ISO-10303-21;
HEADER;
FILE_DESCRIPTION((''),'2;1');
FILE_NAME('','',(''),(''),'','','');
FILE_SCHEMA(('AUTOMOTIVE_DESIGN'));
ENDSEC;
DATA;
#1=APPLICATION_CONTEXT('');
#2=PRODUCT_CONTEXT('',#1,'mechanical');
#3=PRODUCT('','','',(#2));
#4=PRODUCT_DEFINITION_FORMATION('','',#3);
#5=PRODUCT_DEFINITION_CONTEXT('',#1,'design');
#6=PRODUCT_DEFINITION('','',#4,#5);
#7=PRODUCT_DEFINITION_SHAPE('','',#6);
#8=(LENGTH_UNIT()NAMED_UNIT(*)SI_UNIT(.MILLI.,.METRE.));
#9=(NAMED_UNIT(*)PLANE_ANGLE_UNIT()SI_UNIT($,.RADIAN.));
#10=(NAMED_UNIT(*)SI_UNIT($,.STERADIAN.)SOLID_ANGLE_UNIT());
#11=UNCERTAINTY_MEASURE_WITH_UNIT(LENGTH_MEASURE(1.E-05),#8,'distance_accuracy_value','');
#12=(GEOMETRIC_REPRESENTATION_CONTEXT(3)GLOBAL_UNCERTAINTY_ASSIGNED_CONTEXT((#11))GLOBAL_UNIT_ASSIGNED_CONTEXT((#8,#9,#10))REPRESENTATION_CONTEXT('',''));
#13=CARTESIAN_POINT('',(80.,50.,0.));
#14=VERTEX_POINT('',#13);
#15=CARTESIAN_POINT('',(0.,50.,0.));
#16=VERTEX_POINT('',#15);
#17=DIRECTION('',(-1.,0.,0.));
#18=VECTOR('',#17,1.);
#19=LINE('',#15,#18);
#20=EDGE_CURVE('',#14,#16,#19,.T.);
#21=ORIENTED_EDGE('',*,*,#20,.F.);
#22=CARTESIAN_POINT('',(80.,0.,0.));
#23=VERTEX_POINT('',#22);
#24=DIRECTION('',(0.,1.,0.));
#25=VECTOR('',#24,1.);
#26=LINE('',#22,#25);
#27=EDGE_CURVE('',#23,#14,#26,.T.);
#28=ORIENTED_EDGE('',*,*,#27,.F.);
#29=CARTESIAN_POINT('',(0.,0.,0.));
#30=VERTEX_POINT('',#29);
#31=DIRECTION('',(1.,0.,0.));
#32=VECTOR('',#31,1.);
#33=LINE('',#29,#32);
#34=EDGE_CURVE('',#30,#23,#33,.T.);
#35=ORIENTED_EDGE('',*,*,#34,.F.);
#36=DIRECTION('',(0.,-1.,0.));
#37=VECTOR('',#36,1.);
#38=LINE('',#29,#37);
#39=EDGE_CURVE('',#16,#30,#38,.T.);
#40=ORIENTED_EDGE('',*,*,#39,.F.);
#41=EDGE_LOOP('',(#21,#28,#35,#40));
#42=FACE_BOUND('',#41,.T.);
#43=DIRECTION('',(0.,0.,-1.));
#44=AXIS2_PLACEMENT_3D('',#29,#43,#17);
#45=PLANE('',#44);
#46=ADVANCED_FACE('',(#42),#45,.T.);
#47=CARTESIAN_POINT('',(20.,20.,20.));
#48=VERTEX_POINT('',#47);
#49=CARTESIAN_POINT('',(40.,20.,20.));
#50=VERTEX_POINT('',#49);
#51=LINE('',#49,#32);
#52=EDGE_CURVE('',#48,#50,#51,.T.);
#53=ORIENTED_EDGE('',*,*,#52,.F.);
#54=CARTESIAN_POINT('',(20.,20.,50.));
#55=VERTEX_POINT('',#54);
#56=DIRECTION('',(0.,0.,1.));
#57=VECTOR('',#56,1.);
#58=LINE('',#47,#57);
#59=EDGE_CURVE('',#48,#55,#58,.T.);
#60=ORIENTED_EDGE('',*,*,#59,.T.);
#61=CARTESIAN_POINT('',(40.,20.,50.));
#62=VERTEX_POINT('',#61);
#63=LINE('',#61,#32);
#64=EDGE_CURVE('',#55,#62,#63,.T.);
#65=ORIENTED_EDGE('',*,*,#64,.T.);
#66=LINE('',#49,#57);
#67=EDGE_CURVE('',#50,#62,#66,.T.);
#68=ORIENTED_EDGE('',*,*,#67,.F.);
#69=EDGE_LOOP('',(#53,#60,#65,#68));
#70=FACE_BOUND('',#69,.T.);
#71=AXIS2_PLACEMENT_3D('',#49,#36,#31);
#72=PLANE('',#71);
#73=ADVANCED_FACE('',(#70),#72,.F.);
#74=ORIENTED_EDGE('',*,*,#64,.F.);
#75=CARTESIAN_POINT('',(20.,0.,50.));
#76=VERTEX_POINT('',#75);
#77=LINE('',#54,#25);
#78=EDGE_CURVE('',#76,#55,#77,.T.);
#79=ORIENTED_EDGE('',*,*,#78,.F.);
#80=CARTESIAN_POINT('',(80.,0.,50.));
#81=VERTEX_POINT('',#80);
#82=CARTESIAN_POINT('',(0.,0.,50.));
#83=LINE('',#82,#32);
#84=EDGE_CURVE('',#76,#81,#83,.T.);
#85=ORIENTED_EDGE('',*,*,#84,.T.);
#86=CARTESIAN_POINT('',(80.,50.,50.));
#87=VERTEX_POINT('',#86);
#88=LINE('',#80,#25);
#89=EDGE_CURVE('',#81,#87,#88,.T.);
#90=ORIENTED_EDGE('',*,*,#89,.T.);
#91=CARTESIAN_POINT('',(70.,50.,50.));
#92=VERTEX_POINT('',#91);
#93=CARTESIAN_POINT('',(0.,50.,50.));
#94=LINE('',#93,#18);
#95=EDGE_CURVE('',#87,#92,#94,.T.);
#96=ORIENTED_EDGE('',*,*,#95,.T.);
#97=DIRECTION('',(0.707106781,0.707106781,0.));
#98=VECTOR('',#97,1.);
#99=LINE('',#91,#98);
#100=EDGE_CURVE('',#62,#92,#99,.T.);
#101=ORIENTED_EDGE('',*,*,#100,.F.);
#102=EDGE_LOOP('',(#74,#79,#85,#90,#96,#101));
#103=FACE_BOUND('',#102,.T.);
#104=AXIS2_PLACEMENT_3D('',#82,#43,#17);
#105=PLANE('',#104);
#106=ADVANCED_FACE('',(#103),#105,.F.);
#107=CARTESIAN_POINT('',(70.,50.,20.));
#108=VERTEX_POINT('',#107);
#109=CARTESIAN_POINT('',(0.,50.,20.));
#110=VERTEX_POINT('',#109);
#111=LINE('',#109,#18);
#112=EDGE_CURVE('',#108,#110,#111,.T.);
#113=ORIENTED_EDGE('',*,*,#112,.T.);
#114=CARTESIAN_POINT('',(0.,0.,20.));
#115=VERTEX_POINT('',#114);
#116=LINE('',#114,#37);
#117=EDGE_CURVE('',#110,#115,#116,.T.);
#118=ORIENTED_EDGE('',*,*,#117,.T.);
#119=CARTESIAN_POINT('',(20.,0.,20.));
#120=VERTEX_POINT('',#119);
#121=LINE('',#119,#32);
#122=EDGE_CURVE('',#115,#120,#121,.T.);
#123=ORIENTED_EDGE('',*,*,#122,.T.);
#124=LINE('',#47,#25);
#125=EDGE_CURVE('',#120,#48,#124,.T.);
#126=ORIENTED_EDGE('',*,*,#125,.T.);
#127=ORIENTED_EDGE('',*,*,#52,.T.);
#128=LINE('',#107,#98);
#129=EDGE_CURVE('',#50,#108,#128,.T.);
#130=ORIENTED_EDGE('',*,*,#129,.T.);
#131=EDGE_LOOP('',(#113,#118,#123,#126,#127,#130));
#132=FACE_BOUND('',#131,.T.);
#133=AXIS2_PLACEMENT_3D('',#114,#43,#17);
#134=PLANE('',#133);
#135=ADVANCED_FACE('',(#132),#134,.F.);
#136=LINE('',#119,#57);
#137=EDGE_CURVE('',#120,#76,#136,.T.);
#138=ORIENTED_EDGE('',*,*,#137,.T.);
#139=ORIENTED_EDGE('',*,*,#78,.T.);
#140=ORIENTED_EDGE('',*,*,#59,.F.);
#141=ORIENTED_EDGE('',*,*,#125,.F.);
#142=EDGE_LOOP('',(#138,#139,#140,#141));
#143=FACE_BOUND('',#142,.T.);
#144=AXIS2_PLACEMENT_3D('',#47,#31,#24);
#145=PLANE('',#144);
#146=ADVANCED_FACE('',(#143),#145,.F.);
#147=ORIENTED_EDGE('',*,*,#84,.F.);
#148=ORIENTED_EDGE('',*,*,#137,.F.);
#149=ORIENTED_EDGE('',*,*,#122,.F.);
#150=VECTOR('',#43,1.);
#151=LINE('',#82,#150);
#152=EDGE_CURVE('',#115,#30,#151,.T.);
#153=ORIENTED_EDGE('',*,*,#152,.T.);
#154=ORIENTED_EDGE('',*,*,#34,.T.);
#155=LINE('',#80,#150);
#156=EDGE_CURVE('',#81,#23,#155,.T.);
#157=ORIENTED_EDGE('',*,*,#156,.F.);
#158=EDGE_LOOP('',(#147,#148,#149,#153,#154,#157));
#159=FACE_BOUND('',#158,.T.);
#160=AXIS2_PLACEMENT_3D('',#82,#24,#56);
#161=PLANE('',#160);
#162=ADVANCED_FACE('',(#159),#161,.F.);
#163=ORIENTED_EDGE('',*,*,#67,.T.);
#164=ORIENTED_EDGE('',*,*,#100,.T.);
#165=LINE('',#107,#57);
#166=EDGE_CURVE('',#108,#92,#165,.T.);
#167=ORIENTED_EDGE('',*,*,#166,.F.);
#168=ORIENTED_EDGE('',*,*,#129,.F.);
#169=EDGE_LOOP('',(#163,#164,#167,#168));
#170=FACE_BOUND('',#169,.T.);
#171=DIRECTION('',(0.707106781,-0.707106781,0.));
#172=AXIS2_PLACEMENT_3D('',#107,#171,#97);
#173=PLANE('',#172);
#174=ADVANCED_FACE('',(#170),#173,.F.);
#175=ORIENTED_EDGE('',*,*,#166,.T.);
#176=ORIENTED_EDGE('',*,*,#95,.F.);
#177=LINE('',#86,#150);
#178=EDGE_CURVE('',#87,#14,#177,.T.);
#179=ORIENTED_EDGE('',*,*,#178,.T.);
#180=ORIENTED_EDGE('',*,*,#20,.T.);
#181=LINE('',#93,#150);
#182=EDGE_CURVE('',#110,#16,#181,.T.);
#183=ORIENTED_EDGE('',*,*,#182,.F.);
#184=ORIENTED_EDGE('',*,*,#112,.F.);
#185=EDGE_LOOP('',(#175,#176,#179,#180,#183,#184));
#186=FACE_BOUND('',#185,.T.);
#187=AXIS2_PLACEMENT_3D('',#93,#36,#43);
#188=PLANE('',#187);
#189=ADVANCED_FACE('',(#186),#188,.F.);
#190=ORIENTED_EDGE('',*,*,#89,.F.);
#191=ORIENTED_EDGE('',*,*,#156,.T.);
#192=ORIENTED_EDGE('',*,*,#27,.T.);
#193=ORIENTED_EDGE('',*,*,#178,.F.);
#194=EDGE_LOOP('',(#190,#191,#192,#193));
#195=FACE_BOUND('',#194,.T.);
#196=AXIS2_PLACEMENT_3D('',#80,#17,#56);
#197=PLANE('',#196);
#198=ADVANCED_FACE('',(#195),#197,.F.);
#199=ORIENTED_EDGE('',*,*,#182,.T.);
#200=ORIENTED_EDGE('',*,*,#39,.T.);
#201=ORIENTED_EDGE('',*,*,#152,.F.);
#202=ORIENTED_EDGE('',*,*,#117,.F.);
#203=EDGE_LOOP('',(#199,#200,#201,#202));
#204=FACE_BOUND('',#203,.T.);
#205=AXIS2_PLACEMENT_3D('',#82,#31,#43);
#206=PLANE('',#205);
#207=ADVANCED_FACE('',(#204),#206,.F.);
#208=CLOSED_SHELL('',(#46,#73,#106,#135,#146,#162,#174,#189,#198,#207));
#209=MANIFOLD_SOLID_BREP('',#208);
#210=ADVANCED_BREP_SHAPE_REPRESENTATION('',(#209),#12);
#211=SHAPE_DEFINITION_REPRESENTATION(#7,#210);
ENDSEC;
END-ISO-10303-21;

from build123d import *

# Parameters (mm, degrees)
SKETCH1_W           = 80
SKETCH1_H           = 50
BOSS_EXTRUDE1_DEPTH = 50
CUT_EXTRUDE1_DEPTH  = 30


with BuildPart() as part:
    # Sketch1 → Boss-Extrude1 (new body)
    with BuildSketch(Plane.XY):
        with Locations((40, 25)):
            Rectangle(SKETCH1_W, SKETCH1_H)
    extrude(amount=BOSS_EXTRUDE1_DEPTH)

    # Sketch2 → Cut-Extrude1 (cut)
    with BuildSketch(Plane.XY.offset(50)):
        Polygon((20, 0), (0, 0), (0, 50), (70, 50), (40, 20), (20, 20), align=None)
    extrude(amount=-CUT_EXTRUDE1_DEPTH, mode=Mode.SUBTRACT)


solid = part.part
